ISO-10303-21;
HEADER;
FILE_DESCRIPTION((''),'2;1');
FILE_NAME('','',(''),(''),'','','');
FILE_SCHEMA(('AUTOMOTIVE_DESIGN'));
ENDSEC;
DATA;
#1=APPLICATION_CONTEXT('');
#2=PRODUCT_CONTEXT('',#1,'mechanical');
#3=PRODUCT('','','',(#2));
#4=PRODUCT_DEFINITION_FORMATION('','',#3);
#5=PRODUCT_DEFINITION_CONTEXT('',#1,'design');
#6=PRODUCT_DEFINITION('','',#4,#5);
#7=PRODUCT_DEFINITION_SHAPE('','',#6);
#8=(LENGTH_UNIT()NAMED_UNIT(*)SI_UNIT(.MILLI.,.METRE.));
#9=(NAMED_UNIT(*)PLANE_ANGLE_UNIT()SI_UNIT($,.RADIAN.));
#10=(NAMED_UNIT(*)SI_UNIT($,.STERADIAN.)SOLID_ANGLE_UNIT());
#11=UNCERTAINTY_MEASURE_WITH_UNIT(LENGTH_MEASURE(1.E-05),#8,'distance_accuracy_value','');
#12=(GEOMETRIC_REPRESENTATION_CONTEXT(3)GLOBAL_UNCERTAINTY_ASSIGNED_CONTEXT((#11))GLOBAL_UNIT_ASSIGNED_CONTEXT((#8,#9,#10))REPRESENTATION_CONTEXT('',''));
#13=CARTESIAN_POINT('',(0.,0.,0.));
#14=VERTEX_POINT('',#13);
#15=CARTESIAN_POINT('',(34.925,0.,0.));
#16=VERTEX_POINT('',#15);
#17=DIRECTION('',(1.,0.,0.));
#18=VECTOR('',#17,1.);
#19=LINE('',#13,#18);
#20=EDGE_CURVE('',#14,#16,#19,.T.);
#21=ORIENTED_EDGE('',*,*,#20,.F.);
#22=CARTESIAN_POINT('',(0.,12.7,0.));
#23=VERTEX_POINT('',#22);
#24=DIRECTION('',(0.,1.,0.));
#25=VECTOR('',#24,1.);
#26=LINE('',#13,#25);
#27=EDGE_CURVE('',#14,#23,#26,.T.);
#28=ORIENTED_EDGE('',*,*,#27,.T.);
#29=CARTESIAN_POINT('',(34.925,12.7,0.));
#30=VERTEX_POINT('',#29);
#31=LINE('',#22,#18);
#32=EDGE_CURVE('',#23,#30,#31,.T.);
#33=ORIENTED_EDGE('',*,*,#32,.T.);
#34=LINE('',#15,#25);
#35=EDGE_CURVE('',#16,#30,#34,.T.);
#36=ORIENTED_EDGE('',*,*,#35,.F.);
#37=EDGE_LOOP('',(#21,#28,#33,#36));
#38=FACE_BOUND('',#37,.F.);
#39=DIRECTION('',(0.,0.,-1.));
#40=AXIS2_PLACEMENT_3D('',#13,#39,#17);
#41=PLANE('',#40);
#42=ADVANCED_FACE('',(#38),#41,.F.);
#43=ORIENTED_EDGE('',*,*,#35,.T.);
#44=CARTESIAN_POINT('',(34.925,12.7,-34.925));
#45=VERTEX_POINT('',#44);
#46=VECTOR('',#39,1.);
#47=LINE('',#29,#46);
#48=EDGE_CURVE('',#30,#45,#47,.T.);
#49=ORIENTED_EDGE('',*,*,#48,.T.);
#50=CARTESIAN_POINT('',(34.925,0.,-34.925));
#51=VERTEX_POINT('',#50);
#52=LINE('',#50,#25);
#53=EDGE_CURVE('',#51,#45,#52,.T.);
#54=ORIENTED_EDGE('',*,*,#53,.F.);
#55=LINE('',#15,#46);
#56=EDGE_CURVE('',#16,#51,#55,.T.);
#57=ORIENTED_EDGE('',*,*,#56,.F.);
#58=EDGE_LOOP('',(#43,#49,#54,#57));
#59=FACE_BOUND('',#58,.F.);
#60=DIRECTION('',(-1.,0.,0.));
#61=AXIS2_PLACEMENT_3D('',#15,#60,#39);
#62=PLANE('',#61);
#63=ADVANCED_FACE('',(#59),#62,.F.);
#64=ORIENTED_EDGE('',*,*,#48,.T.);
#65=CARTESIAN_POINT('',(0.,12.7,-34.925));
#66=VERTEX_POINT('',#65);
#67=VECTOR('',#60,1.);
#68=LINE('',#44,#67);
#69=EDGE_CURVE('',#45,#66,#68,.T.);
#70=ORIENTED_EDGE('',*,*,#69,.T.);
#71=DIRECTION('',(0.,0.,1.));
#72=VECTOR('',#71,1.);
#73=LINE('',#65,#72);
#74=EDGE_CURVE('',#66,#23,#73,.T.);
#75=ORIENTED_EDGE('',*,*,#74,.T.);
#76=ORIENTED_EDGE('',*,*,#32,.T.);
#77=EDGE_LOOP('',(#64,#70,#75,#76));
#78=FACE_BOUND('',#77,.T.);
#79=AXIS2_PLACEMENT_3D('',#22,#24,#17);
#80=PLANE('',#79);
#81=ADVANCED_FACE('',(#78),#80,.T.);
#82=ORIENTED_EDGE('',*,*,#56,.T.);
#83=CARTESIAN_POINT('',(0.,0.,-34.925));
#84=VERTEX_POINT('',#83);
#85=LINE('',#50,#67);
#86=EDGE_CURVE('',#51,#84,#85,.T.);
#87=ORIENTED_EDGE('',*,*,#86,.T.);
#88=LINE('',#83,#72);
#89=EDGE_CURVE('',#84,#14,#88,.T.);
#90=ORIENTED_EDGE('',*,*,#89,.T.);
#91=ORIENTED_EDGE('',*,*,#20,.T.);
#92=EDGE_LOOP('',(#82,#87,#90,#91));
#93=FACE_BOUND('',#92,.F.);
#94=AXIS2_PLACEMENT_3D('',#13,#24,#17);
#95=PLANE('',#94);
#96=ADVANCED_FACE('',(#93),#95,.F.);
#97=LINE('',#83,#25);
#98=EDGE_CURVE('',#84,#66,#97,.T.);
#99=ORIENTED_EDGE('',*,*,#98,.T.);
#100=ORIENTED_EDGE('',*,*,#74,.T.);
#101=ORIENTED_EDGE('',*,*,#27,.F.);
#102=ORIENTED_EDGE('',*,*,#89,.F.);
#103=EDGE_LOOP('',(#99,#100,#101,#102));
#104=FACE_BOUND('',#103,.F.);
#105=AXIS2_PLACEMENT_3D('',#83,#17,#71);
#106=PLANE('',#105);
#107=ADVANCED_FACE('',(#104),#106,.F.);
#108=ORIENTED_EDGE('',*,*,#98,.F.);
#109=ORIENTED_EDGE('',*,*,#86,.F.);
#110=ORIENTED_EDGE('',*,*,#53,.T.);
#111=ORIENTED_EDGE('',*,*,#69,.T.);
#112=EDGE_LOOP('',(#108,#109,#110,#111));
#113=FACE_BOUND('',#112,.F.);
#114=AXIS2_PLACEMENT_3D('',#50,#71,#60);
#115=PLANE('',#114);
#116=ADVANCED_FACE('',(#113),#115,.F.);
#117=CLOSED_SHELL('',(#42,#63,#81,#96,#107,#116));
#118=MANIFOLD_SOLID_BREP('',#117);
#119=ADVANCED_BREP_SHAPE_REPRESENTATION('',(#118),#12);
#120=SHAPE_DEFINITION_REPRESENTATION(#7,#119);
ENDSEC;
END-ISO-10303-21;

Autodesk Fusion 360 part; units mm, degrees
sketch "Sketch1" plane through (0, 0, 0) normal (0, 1, 0) x (1, 0, 0)
  line L0 (0, 0) -> (34.925, 0)
  line L1 (34.925, 0) -> (34.925, 34.925)
  line L2 (34.925, 34.925) -> (0, 34.925)
  line L3 (0, 34.925) -> (0, 0)
  line L4 (0, 0) -> (34.925, 0)
  line L5 (34.925, 0) -> (34.925, 34.925)
  dimension "d1" = 34.925
  dimension "d2" = 34.925
extrude "Extrude1" add sketch "Sketch1" along normal blind 12.7
